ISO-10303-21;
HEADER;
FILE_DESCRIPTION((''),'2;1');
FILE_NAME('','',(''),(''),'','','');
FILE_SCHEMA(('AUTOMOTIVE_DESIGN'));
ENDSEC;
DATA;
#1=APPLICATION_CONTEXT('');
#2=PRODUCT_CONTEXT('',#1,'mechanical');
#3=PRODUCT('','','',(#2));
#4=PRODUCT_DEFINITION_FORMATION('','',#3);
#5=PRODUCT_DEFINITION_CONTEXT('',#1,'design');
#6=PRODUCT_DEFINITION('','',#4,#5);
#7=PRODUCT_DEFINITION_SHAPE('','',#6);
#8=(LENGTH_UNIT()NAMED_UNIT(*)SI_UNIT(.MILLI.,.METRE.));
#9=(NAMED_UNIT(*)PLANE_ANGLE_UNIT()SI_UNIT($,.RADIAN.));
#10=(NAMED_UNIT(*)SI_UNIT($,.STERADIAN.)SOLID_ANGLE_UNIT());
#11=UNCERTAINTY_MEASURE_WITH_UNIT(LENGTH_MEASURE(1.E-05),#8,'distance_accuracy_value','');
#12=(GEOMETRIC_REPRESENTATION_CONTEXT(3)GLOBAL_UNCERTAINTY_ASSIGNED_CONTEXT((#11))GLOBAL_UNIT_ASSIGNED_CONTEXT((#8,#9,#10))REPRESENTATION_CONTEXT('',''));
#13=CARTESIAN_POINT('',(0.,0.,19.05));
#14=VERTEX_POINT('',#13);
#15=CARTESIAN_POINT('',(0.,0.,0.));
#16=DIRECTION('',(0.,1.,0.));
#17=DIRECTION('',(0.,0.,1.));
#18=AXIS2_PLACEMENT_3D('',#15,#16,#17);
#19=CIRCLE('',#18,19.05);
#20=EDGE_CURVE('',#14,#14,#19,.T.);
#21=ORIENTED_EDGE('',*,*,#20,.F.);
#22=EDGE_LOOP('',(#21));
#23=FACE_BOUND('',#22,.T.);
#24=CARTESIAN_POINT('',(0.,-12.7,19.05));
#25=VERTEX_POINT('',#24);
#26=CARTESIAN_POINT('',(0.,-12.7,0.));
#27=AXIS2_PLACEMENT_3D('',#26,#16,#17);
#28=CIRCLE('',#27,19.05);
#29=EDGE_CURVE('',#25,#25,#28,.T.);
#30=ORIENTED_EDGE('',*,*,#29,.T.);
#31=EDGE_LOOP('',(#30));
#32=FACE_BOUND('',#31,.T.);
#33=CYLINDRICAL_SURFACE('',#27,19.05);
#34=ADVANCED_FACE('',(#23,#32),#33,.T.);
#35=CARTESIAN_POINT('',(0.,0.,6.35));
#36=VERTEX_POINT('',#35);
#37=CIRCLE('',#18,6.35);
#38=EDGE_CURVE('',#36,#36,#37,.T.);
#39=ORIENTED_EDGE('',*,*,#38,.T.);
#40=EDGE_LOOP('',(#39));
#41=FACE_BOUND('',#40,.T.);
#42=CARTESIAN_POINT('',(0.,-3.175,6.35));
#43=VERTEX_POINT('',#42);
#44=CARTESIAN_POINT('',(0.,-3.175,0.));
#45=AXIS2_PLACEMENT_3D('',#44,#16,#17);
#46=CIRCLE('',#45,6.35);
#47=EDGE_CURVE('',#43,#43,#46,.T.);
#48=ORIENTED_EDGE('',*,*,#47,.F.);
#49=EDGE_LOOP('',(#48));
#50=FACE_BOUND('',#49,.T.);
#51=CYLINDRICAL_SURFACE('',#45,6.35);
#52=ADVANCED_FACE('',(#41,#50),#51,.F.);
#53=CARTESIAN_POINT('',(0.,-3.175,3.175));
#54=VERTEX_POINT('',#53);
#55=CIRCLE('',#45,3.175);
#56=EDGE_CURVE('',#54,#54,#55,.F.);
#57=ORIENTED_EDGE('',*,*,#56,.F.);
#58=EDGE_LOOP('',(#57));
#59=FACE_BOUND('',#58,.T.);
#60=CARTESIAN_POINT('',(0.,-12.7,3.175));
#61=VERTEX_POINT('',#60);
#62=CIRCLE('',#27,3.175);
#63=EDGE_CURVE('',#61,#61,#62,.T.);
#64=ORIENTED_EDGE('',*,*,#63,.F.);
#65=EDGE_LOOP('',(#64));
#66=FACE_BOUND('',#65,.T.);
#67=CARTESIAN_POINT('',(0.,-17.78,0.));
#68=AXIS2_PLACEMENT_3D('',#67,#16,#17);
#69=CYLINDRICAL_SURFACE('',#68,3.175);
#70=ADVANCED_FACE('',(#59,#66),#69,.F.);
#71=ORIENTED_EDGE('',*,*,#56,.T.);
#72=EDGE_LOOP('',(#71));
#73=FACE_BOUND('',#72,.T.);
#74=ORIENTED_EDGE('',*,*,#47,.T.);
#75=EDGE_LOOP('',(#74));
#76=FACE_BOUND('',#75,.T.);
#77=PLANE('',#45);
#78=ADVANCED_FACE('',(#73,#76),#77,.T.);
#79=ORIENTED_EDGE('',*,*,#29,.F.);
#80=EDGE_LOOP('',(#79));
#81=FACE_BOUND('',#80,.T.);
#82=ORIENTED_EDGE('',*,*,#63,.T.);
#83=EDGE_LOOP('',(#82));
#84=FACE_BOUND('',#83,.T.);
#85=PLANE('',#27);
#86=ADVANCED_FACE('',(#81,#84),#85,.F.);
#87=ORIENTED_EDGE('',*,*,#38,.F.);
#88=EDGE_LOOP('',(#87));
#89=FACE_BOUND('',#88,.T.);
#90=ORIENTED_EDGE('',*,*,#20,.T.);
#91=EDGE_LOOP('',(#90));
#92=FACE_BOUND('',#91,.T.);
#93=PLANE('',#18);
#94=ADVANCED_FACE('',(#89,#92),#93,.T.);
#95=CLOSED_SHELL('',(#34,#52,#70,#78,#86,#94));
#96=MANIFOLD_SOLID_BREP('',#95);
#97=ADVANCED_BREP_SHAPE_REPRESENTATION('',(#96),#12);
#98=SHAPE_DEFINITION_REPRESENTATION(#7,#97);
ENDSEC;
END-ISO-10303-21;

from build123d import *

# Parameters (mm, degrees)
SKETCH1_R           = 19.05
BOSS_EXTRUDE1_DEPTH = 12.7
SKETCH2_R           = 3.175
CUT_EXTRUDE1_DEPTH  = 17.78
SKETCH3_R           = 6.35
CUT_EXTRUDE2_DEPTH  = 3.175


with BuildPart() as part:
    # Sketch1 → Boss-Extrude1 (new body)
    with BuildSketch(Plane(origin=(0, 0, 0), x_dir=(1, 0, 0), z_dir=(0, 1, 0))):
        Circle(SKETCH1_R)
    extrude(amount=-BOSS_EXTRUDE1_DEPTH)

    # Sketch2 → Cut-Extrude1 (cut)
    with BuildSketch(Plane(origin=(0, 0, 0), x_dir=(1, 0, 0), z_dir=(0, 1, 0))):
        Circle(SKETCH2_R)
    extrude(amount=-CUT_EXTRUDE1_DEPTH, mode=Mode.SUBTRACT)

    # Sketch3 → Cut-Extrude2 (cut)
    with BuildSketch(Plane(origin=(0, 0, 0), x_dir=(1, 0, 0), z_dir=(0, 1, 0))):
        Circle(SKETCH3_R)
    extrude(amount=-CUT_EXTRUDE2_DEPTH, mode=Mode.SUBTRACT)


solid = part.part
